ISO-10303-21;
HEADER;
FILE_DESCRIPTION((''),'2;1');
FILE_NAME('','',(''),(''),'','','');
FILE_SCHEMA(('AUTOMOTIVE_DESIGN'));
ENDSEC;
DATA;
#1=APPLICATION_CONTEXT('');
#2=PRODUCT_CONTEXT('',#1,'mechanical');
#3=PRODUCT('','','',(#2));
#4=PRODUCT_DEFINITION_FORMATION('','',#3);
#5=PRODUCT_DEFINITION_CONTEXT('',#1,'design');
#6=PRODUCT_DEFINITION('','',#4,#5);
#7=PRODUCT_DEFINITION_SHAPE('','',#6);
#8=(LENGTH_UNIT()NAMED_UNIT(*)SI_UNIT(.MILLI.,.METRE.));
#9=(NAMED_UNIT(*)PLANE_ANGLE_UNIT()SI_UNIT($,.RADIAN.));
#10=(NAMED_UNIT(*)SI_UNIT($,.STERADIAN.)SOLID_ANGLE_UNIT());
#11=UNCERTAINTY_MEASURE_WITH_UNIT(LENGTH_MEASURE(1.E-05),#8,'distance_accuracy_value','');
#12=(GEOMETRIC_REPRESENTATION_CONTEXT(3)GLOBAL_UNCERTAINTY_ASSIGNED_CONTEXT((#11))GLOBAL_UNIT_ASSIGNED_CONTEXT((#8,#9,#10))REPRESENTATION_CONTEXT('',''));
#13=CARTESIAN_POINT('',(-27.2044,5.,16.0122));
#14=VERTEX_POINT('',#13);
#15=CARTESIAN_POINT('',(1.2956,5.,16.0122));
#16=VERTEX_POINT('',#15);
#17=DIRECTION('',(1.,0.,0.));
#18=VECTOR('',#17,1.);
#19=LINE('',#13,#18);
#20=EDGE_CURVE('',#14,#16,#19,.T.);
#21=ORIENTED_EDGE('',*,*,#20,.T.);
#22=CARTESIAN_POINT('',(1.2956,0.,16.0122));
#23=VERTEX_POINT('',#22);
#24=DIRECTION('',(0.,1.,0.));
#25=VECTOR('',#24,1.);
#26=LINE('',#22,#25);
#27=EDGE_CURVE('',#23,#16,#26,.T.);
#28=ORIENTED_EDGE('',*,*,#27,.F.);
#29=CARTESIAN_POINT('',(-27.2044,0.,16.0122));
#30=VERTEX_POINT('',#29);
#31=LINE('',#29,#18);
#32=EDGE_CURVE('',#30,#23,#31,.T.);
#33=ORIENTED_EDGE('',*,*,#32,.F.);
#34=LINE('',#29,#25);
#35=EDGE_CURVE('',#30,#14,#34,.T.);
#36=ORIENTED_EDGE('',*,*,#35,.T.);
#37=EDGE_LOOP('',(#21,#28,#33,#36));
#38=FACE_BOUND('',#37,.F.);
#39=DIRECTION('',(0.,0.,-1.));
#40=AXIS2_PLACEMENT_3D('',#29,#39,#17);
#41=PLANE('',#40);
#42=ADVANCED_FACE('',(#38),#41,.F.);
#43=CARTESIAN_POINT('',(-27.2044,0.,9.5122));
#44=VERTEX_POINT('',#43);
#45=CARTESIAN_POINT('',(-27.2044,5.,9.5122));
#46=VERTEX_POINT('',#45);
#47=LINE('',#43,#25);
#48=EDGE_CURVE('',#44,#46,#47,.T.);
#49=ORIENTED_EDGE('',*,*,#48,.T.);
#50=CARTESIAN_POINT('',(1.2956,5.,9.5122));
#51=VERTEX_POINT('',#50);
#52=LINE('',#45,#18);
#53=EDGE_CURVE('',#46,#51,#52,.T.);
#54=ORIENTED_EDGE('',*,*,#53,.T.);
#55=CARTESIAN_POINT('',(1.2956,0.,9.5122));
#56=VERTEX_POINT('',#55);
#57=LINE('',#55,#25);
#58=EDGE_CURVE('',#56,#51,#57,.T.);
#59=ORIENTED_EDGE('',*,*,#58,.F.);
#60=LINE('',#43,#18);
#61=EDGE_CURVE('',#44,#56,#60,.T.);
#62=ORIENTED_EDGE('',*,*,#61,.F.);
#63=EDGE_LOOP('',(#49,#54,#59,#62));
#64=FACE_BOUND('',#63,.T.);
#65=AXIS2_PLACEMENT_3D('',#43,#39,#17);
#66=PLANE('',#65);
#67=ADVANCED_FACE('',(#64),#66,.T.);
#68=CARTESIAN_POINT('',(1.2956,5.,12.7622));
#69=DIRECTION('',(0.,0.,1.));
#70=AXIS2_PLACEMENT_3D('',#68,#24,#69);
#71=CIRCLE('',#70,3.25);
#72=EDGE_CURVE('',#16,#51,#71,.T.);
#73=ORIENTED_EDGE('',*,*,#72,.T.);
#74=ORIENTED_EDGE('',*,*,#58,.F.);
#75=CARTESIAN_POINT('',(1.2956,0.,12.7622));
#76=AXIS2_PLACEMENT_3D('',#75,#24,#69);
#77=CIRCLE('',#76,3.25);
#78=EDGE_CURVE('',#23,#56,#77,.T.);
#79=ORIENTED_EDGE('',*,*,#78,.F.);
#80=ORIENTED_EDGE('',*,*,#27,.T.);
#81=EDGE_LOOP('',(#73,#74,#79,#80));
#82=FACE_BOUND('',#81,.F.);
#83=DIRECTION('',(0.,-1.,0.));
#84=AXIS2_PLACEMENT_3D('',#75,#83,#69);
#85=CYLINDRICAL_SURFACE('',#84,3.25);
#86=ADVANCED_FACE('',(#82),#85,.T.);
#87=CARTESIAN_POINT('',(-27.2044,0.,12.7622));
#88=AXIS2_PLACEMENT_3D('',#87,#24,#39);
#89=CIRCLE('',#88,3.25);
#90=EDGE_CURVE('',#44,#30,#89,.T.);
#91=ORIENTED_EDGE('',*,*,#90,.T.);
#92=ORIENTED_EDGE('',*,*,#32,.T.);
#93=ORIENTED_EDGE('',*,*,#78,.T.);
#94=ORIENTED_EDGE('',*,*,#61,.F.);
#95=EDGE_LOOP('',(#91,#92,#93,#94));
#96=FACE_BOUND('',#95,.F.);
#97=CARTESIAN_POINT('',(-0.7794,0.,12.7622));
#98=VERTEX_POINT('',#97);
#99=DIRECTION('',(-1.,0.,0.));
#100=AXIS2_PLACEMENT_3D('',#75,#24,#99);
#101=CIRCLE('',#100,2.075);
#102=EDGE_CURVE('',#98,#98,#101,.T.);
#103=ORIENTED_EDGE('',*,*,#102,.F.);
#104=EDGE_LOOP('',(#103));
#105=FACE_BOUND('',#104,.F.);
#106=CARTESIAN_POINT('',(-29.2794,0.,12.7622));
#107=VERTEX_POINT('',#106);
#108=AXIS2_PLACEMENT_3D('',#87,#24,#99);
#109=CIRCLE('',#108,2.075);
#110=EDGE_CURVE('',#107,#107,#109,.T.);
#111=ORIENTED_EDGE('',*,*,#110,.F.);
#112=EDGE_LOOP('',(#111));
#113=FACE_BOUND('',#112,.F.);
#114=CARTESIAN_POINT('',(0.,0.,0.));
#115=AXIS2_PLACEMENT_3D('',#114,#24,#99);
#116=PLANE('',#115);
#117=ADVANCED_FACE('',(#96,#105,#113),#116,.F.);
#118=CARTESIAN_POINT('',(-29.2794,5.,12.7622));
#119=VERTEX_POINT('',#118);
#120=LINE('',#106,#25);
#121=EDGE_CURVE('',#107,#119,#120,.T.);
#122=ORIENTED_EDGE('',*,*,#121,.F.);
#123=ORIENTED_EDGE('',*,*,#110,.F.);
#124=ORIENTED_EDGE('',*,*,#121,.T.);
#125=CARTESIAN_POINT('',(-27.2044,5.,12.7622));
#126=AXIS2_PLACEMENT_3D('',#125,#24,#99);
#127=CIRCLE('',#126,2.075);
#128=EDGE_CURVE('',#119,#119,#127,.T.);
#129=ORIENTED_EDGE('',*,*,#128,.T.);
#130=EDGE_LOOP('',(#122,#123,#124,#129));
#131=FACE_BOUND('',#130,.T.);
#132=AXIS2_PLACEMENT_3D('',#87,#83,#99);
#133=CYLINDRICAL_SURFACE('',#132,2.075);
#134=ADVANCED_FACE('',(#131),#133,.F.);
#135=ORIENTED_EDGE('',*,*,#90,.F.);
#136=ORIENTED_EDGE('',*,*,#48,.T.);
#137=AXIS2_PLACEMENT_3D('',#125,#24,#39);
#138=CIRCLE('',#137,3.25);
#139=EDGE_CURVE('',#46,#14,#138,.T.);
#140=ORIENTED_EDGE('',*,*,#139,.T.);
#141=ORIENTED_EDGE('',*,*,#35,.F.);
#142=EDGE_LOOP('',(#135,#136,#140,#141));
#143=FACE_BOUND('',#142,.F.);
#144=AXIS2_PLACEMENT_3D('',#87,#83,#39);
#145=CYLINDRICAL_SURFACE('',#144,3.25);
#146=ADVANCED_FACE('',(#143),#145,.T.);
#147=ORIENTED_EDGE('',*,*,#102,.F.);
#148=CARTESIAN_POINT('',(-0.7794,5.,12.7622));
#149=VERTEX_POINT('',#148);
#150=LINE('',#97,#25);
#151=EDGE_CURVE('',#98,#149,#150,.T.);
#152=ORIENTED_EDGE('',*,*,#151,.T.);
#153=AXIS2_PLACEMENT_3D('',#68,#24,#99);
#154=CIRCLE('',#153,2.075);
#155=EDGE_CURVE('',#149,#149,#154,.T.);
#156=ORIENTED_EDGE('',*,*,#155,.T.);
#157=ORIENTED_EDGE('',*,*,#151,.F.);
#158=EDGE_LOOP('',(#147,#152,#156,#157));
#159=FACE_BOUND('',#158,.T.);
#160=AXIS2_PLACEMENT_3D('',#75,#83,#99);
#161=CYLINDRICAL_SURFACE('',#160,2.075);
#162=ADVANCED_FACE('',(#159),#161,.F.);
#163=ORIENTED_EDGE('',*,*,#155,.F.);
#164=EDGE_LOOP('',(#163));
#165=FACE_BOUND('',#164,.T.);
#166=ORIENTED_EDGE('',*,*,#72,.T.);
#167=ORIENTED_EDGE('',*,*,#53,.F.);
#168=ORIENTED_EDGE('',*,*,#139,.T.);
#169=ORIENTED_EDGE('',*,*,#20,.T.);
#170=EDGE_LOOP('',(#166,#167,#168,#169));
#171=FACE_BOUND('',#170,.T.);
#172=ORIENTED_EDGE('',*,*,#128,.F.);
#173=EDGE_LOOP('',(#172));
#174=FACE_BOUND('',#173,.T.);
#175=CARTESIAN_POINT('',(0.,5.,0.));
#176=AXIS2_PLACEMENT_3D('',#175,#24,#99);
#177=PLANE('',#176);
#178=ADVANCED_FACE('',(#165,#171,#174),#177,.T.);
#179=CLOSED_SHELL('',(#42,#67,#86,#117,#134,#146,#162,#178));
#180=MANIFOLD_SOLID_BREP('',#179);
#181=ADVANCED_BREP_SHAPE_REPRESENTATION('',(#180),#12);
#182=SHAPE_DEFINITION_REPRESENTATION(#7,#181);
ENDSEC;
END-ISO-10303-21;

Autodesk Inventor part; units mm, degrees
ref_plane "YZ Plane" through (0, 0, 0) normal (1, 0, 0) x (0, 1, 0)
ref_plane "XZ Plane" through (0, 0, 0) normal (0, 1, 0) x (-1, 0, 0)
ref_plane "XY Plane" through (0, 0, 0) normal (0, 0, 1) x (1, 0, 0)
sketch "Sketch1" plane through (0, 0, 0) normal (0, 1, 0) x (-1, 0, 0)
  circle A0 centre (27.2044, 12.7622) radius 2.075
  arc A1 (27.2044, 9.5122) -> (27.2044, 16.0122) centre (27.2044, 12.7622) ccw
  circle A2 centre (-1.2956, 12.7622) radius 2.075
  arc A3 (-1.2956, 16.0122) -> (-1.2956, 9.5122) centre (-1.2956, 12.7622) ccw
  line L0 (27.2044, 16.0122) -> (-1.2956, 16.0122)
  line L1 (27.2044, 9.5122) -> (-1.2956, 9.5122)
  point P0 (0, 0)
  dimension "d1" = 4.15
  dimension "d4" = 4.15
extrude "Extrusion1" add sketch "Sketch1" along normal blind 5
properties part number "innerBar"
